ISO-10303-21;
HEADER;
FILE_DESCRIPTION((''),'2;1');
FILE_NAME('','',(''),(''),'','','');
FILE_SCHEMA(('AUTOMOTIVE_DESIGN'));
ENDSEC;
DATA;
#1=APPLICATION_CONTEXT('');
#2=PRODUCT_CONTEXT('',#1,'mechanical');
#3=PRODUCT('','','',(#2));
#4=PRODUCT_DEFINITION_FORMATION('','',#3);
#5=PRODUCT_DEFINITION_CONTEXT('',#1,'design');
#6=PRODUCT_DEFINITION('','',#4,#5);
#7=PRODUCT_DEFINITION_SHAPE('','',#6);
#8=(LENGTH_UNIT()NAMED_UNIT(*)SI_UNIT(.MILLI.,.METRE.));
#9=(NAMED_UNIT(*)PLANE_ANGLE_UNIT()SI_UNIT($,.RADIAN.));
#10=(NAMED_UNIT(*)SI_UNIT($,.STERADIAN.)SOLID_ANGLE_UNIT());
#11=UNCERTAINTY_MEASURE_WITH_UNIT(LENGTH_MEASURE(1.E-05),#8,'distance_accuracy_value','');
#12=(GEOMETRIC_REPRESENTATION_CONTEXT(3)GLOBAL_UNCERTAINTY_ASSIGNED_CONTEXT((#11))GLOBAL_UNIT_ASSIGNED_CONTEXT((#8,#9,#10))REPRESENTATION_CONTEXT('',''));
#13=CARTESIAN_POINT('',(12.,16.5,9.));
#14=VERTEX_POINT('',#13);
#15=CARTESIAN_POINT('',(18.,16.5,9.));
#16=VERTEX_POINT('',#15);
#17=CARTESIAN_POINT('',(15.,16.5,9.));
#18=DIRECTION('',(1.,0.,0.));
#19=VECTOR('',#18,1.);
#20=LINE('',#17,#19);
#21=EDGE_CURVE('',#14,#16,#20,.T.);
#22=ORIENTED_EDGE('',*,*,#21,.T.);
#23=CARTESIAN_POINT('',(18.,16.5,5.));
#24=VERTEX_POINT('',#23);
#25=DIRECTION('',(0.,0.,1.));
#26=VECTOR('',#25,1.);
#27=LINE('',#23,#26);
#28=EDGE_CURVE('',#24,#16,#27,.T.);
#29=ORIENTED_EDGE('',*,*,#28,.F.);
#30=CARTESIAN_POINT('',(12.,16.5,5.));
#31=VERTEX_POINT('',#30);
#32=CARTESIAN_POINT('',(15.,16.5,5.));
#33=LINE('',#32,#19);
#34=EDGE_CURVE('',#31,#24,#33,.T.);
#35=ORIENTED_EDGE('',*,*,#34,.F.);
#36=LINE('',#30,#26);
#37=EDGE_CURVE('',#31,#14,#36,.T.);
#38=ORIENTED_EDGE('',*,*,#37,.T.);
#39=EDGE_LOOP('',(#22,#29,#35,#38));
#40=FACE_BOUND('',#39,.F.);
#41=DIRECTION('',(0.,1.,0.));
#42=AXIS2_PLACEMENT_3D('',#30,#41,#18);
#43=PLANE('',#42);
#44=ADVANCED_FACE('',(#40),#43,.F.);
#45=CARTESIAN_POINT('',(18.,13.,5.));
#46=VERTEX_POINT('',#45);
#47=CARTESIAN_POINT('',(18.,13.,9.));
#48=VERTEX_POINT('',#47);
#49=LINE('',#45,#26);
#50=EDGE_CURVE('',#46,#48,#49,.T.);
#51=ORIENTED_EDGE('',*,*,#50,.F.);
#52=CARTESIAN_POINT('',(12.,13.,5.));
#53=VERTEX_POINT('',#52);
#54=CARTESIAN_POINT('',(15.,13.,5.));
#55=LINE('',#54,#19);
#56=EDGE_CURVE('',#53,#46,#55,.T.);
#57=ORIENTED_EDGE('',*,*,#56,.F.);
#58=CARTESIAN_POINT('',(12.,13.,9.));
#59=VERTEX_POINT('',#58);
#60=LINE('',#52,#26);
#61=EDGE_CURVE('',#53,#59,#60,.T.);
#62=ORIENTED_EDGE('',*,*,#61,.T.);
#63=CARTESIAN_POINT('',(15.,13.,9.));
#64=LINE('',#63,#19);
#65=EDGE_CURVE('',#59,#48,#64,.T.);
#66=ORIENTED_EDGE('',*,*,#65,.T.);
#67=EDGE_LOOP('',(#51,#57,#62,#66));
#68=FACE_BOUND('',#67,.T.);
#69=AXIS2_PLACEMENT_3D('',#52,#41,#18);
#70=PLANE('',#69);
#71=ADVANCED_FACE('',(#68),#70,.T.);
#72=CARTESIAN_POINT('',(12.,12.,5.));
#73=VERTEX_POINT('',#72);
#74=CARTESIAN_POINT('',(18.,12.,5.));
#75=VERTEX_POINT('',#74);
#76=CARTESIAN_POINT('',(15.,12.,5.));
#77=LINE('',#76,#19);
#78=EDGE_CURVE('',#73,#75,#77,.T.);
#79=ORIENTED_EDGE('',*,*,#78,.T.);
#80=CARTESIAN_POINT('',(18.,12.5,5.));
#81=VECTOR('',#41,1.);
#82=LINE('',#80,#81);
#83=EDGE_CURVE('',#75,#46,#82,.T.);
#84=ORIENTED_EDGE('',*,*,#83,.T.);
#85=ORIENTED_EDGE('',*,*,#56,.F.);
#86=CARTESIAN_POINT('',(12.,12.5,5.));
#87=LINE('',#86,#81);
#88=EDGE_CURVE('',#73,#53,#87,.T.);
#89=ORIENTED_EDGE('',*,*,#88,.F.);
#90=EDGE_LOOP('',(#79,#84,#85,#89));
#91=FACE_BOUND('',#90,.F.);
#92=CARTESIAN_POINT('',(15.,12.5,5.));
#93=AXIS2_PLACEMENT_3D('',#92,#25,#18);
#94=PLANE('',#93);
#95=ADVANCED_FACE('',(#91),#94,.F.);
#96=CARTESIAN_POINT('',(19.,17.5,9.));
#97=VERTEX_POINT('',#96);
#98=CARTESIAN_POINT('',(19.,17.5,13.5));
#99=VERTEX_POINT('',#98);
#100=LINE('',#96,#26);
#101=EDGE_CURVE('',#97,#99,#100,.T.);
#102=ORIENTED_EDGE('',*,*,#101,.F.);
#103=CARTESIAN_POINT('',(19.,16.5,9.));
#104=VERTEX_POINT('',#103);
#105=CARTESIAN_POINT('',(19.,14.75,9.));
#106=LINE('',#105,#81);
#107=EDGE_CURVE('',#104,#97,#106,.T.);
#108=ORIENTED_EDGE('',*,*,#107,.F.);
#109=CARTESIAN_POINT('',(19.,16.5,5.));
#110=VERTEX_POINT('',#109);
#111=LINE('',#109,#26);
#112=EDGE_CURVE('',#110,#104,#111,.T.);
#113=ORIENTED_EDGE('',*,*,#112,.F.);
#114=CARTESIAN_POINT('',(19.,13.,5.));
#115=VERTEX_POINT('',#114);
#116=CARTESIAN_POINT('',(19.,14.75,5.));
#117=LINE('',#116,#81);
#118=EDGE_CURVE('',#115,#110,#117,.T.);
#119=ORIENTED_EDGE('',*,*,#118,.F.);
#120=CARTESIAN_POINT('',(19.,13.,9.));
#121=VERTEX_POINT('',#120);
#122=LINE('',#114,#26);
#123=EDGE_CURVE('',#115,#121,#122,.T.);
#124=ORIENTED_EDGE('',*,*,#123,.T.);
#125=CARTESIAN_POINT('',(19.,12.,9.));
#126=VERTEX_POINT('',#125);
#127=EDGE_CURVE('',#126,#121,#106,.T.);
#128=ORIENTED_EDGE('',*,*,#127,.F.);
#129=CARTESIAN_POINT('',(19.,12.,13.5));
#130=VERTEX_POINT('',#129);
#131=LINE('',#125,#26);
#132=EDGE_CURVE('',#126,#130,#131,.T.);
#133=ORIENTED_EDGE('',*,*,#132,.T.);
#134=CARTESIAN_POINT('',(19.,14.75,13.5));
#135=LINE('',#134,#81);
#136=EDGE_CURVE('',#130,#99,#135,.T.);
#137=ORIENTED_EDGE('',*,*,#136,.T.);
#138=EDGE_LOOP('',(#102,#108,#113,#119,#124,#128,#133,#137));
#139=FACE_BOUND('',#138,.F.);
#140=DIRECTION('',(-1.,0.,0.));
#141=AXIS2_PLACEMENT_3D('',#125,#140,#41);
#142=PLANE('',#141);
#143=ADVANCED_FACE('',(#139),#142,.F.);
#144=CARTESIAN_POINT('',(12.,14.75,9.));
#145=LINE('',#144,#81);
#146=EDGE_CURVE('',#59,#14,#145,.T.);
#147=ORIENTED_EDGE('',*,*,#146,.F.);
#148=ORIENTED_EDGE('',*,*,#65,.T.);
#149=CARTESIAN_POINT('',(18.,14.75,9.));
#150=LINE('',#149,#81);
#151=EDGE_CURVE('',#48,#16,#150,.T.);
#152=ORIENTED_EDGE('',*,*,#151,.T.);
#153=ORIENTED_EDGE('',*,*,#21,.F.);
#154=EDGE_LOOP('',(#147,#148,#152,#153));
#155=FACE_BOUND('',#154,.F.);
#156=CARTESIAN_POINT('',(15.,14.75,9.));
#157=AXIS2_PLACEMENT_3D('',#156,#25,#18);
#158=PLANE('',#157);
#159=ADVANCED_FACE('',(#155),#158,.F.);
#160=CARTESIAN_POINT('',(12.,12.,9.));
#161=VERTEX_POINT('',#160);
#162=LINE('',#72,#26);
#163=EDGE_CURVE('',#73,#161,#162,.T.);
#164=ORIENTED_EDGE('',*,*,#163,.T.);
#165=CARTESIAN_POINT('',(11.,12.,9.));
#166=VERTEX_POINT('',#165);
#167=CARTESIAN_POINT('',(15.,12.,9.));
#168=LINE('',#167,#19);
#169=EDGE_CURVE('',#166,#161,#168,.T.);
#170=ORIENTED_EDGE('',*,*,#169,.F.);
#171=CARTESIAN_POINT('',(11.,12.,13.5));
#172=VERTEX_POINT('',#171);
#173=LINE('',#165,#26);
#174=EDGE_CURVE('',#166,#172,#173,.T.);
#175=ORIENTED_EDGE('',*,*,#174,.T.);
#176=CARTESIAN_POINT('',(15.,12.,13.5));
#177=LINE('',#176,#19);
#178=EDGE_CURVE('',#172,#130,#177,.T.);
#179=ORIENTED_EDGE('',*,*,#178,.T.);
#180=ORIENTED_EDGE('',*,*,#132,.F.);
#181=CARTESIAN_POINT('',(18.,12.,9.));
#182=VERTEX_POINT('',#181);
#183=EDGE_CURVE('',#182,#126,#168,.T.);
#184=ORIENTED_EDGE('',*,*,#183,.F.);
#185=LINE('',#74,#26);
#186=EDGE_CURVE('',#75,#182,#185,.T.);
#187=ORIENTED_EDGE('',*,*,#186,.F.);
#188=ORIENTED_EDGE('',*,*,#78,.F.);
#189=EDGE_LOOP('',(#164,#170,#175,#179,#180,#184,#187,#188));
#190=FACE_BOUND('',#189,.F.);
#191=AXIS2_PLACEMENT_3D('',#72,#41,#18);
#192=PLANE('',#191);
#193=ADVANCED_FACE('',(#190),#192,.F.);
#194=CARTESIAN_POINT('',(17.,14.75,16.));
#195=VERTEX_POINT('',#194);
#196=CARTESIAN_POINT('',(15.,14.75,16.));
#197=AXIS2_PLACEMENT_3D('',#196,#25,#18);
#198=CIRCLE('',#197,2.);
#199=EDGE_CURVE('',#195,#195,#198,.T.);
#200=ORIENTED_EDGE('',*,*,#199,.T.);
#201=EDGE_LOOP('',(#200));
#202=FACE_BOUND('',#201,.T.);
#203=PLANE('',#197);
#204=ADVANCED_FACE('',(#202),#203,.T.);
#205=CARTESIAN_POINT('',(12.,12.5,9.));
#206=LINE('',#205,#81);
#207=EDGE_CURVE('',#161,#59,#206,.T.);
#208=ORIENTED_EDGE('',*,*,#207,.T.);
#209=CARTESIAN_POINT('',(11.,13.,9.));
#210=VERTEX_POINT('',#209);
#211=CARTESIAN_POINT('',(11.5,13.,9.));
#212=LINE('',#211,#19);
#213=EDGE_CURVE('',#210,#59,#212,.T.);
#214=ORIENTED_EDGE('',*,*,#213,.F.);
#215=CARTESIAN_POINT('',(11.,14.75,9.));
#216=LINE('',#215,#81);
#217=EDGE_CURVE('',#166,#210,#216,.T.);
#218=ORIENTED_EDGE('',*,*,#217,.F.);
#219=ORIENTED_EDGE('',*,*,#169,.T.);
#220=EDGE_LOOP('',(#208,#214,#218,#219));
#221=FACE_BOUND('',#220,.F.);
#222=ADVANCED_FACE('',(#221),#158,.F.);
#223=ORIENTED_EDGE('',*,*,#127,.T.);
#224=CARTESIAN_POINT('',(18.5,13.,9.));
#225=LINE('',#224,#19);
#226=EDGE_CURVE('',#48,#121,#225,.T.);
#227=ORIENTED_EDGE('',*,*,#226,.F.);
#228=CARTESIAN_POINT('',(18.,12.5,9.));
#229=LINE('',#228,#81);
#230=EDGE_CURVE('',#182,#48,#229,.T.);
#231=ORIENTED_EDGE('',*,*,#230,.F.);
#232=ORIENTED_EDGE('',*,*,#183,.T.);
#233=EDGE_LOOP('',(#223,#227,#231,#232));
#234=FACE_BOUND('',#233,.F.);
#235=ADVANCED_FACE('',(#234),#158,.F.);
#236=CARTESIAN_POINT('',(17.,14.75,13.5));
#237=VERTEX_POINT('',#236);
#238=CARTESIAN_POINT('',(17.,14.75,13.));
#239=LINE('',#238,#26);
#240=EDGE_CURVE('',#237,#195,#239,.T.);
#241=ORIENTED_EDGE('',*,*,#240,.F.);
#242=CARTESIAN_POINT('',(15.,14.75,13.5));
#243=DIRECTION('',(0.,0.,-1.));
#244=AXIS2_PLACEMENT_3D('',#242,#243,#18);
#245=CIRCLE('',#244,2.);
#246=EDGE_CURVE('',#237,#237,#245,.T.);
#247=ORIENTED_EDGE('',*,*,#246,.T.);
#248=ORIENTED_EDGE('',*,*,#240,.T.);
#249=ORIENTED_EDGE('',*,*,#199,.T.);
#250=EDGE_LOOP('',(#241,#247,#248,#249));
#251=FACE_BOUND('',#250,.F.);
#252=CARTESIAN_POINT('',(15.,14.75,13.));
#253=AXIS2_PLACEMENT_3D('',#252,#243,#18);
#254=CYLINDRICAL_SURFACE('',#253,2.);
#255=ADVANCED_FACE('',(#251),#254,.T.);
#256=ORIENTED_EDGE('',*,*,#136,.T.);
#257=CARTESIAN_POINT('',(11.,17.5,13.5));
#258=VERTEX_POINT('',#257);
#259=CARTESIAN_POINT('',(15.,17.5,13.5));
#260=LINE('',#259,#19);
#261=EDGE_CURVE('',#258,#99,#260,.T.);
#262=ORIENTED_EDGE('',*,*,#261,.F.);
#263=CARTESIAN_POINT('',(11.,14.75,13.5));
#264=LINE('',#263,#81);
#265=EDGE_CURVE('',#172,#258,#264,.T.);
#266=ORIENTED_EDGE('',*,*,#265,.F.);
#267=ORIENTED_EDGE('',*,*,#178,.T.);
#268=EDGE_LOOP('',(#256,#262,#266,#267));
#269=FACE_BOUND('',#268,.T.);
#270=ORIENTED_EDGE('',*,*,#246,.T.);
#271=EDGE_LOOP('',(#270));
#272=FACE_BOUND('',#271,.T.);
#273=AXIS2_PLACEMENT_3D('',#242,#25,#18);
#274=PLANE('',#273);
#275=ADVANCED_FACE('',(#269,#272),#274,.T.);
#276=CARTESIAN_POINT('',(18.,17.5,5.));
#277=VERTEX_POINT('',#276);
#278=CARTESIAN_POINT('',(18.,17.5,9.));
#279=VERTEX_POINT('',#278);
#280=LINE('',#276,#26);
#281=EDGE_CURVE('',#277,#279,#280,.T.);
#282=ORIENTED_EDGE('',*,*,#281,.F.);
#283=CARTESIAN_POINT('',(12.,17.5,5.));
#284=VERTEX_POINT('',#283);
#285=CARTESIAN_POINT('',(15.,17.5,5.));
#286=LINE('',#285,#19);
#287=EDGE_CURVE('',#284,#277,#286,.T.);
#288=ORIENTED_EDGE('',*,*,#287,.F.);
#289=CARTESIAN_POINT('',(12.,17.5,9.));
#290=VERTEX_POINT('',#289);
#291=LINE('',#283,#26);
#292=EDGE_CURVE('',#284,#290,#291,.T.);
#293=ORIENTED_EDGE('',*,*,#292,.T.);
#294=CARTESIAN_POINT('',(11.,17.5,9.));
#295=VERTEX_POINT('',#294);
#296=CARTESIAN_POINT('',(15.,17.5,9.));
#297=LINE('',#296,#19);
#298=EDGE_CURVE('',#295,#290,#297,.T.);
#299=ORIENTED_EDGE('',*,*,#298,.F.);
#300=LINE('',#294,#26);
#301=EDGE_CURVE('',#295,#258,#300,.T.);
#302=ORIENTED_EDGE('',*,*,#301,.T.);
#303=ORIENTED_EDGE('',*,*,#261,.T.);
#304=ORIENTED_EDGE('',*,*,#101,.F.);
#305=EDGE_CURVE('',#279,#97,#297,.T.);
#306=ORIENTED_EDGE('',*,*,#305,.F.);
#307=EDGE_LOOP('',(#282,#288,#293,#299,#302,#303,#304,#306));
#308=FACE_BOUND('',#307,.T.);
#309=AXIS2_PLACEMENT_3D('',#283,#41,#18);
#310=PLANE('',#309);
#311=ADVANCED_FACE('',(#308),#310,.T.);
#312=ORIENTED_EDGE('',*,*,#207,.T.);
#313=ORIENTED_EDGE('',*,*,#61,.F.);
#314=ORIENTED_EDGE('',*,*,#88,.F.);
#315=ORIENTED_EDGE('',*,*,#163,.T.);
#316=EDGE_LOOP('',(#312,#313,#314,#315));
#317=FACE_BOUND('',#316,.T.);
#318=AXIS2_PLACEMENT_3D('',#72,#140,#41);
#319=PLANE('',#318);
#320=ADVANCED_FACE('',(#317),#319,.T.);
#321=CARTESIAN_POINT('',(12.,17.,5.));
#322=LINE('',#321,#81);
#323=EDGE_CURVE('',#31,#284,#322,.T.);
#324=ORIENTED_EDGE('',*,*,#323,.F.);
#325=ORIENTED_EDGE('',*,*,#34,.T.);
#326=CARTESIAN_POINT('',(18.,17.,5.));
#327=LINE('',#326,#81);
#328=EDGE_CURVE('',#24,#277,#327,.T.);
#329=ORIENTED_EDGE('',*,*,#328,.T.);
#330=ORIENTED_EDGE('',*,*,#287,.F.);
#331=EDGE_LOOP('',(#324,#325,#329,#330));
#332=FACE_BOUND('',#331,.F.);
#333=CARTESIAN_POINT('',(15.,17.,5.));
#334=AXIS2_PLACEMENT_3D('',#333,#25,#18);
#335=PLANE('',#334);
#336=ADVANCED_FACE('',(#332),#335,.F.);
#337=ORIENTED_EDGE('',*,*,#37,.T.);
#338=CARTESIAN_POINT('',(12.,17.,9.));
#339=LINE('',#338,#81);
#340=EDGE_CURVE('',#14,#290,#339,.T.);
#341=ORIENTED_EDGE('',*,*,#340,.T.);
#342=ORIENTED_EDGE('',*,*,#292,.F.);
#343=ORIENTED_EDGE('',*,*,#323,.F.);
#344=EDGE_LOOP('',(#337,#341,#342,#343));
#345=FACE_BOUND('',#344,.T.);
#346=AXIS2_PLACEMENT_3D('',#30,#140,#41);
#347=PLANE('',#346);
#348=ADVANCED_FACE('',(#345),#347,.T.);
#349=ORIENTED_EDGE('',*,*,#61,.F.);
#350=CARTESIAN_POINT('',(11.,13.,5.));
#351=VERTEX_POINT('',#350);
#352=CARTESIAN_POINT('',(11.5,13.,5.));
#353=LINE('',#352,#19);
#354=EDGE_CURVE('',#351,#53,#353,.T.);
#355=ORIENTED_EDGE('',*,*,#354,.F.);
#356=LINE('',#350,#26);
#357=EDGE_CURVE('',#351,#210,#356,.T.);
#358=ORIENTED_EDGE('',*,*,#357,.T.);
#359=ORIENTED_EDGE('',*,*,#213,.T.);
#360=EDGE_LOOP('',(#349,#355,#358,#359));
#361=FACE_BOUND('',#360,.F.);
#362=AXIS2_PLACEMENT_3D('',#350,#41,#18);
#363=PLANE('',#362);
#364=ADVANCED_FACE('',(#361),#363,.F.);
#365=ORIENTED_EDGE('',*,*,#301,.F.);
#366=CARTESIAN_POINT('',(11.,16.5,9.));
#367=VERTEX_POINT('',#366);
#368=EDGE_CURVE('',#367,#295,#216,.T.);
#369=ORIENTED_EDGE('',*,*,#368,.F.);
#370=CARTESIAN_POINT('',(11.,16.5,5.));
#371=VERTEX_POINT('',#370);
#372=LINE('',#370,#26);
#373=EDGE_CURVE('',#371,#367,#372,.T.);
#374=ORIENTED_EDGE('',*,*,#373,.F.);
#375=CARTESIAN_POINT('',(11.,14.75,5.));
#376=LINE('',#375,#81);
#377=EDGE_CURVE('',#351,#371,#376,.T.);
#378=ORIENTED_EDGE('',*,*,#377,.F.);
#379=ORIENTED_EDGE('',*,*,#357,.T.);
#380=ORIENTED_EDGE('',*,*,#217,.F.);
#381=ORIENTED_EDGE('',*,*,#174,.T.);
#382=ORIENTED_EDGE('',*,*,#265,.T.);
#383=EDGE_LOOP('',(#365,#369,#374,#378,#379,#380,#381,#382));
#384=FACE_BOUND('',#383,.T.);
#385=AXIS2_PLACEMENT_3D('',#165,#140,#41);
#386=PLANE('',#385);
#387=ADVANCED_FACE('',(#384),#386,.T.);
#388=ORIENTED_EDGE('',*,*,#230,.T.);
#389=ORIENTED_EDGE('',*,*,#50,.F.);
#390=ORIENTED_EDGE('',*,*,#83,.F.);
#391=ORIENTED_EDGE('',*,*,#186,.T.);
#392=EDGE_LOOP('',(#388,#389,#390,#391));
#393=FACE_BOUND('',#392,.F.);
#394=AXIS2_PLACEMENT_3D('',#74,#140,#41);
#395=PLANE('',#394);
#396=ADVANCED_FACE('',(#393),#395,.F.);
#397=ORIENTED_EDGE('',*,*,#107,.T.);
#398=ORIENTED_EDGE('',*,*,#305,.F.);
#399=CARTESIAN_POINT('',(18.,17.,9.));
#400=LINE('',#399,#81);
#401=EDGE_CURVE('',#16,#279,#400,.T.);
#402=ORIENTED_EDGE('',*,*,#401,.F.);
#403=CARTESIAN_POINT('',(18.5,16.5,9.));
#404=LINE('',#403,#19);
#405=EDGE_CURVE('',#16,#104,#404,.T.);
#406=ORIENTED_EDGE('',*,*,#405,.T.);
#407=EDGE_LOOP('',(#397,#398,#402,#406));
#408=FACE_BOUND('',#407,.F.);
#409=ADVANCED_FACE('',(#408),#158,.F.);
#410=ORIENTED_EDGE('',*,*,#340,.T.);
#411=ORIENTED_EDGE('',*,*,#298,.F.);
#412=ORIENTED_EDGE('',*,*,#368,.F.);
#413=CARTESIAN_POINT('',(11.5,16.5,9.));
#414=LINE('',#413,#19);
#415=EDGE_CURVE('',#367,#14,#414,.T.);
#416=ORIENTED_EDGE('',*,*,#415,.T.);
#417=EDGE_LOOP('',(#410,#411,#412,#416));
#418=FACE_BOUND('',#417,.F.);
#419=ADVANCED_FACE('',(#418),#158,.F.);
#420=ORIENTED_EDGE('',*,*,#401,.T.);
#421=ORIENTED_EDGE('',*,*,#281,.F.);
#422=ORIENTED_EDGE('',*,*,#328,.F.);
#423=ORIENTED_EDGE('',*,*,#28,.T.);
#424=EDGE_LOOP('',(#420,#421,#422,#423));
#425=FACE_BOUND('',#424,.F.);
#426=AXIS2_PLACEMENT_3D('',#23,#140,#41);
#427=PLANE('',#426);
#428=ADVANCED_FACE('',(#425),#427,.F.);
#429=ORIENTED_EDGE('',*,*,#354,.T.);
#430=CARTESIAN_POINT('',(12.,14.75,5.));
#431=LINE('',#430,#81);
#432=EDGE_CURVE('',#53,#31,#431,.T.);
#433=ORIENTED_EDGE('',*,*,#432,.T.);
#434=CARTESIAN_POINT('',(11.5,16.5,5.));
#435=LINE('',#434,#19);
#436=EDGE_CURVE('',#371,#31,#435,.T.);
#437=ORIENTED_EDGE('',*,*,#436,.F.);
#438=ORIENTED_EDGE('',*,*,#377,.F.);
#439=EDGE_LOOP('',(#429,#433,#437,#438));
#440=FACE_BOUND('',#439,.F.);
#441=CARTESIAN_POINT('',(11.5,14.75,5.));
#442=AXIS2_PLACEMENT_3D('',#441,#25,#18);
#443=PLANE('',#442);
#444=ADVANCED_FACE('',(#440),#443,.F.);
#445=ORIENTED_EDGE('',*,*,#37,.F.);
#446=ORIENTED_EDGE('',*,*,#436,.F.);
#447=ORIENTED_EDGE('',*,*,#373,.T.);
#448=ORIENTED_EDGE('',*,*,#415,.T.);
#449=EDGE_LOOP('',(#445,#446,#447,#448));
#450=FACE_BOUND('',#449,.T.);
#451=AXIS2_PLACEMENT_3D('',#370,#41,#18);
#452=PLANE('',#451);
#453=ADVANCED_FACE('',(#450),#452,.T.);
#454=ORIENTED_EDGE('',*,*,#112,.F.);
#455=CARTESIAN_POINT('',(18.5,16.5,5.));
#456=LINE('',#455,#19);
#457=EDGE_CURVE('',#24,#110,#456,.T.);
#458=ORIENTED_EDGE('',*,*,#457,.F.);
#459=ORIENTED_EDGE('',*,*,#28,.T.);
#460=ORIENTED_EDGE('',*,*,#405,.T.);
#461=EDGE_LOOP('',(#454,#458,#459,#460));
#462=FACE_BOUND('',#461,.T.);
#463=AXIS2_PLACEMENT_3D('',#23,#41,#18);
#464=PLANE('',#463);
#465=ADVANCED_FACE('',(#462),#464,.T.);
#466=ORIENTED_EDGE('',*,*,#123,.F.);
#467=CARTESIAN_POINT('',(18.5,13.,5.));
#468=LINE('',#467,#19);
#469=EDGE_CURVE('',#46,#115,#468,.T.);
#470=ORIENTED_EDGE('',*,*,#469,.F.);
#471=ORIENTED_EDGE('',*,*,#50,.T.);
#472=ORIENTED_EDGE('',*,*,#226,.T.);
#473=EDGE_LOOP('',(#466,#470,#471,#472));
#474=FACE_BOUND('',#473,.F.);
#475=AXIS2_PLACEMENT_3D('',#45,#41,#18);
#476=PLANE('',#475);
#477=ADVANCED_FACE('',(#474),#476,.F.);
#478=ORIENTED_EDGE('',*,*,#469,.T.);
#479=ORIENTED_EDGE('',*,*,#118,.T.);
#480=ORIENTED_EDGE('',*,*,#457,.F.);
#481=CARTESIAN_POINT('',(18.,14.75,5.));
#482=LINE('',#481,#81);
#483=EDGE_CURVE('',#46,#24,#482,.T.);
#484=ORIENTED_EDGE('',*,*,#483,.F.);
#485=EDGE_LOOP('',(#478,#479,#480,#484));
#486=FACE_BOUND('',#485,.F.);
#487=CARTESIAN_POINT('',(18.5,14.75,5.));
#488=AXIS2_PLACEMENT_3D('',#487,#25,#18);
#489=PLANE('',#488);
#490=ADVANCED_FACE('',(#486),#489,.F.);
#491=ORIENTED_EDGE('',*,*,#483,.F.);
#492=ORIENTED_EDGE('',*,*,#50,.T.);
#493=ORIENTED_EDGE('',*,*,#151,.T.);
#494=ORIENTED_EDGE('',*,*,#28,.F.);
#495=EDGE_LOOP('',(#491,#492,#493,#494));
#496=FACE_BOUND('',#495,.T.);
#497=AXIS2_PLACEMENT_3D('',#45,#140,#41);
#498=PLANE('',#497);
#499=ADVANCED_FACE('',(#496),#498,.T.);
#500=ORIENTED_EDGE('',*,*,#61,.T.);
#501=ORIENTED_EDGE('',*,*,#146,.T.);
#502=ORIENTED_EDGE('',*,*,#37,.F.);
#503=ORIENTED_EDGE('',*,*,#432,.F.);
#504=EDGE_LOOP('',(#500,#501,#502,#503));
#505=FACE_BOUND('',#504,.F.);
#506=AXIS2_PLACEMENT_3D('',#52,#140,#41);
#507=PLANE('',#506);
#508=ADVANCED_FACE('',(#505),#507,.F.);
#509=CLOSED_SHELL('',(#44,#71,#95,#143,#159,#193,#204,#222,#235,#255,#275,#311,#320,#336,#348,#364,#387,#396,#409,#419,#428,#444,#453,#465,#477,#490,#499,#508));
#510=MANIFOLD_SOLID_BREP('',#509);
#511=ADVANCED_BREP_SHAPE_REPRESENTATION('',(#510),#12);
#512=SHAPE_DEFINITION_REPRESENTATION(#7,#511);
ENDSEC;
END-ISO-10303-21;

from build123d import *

# Parameters (mm, degrees)
BOX004_W       = 1
BOX004_H       = 3.5
BOX004_DEPTH   = 4
BOX005_W       = 1
BOX005_H       = 3.5
BOX005_DEPTH   = 4
CYLINDER_R     = 2
CYLINDER_DEPTH = 3
BOX006_W       = 6
BOX006_H       = 1
BOX006_DEPTH   = 4
BOX007_W       = 6
BOX007_H       = 1
BOX007_DEPTH   = 4
BOX003_W       = 8
BOX003_H       = 5.5
BOX003_DEPTH   = 4.5


with BuildPart() as cube001:
    # Box004 → Box004 (new body)
    with BuildSketch(Plane(origin=(11, 13, 5), x_dir=(1, 0, 0), z_dir=(0, 0, 1))):
        with Locations((0.5, 1.75)):
            Rectangle(BOX004_W, BOX004_H)
    extrude(amount=BOX004_DEPTH)


with BuildPart() as cube002:
    # Box005 → Box005 (new body)
    with BuildSketch(Plane(origin=(18, 13, 5), x_dir=(1, 0, 0), z_dir=(0, 0, 1))):
        with Locations((0.5, 1.75)):
            Rectangle(BOX005_W, BOX005_H)
    extrude(amount=BOX005_DEPTH)


with BuildPart() as cylinder:
    # Cylinder → Cylinder (new body)
    with BuildSketch(Plane(origin=(15, 14.75, 13), x_dir=(1, 0, 0), z_dir=(0, 0, 1))):
        Circle(CYLINDER_R)
    extrude(amount=CYLINDER_DEPTH)


with BuildPart() as cube003:
    # Box006 → Box006 (new body)
    with BuildSketch(Plane(origin=(12, 12, 5), x_dir=(1, 0, 0), z_dir=(0, 0, 1))):
        with Locations((3, 0.5)):
            Rectangle(BOX006_W, BOX006_H)
    extrude(amount=BOX006_DEPTH)


with BuildPart() as cube004:
    # Box007 → Box007 (new body)
    with BuildSketch(Plane(origin=(12, 16.5, 5), x_dir=(1, 0, 0), z_dir=(0, 0, 1))):
        with Locations((3, 0.5)):
            Rectangle(BOX007_W, BOX007_H)
    extrude(amount=BOX007_DEPTH)


with BuildPart() as bt_ex001:
    # Box003 → Box003 (new body)
    with BuildSketch(Plane(origin=(11, 12, 9), x_dir=(1, 0, 0), z_dir=(0, 0, 1))):
        with Locations((4, 2.75)):
            Rectangle(BOX003_W, BOX003_H)
    extrude(amount=BOX003_DEPTH)

    # Fusion: union Cube001, Cube002, Cylinder, Cube003, Cube004
    add(cube001.part)
    add(cube002.part)
    add(cylinder.part)
    add(cube003.part)
    add(cube004.part)


solid = bt_ex001.part
